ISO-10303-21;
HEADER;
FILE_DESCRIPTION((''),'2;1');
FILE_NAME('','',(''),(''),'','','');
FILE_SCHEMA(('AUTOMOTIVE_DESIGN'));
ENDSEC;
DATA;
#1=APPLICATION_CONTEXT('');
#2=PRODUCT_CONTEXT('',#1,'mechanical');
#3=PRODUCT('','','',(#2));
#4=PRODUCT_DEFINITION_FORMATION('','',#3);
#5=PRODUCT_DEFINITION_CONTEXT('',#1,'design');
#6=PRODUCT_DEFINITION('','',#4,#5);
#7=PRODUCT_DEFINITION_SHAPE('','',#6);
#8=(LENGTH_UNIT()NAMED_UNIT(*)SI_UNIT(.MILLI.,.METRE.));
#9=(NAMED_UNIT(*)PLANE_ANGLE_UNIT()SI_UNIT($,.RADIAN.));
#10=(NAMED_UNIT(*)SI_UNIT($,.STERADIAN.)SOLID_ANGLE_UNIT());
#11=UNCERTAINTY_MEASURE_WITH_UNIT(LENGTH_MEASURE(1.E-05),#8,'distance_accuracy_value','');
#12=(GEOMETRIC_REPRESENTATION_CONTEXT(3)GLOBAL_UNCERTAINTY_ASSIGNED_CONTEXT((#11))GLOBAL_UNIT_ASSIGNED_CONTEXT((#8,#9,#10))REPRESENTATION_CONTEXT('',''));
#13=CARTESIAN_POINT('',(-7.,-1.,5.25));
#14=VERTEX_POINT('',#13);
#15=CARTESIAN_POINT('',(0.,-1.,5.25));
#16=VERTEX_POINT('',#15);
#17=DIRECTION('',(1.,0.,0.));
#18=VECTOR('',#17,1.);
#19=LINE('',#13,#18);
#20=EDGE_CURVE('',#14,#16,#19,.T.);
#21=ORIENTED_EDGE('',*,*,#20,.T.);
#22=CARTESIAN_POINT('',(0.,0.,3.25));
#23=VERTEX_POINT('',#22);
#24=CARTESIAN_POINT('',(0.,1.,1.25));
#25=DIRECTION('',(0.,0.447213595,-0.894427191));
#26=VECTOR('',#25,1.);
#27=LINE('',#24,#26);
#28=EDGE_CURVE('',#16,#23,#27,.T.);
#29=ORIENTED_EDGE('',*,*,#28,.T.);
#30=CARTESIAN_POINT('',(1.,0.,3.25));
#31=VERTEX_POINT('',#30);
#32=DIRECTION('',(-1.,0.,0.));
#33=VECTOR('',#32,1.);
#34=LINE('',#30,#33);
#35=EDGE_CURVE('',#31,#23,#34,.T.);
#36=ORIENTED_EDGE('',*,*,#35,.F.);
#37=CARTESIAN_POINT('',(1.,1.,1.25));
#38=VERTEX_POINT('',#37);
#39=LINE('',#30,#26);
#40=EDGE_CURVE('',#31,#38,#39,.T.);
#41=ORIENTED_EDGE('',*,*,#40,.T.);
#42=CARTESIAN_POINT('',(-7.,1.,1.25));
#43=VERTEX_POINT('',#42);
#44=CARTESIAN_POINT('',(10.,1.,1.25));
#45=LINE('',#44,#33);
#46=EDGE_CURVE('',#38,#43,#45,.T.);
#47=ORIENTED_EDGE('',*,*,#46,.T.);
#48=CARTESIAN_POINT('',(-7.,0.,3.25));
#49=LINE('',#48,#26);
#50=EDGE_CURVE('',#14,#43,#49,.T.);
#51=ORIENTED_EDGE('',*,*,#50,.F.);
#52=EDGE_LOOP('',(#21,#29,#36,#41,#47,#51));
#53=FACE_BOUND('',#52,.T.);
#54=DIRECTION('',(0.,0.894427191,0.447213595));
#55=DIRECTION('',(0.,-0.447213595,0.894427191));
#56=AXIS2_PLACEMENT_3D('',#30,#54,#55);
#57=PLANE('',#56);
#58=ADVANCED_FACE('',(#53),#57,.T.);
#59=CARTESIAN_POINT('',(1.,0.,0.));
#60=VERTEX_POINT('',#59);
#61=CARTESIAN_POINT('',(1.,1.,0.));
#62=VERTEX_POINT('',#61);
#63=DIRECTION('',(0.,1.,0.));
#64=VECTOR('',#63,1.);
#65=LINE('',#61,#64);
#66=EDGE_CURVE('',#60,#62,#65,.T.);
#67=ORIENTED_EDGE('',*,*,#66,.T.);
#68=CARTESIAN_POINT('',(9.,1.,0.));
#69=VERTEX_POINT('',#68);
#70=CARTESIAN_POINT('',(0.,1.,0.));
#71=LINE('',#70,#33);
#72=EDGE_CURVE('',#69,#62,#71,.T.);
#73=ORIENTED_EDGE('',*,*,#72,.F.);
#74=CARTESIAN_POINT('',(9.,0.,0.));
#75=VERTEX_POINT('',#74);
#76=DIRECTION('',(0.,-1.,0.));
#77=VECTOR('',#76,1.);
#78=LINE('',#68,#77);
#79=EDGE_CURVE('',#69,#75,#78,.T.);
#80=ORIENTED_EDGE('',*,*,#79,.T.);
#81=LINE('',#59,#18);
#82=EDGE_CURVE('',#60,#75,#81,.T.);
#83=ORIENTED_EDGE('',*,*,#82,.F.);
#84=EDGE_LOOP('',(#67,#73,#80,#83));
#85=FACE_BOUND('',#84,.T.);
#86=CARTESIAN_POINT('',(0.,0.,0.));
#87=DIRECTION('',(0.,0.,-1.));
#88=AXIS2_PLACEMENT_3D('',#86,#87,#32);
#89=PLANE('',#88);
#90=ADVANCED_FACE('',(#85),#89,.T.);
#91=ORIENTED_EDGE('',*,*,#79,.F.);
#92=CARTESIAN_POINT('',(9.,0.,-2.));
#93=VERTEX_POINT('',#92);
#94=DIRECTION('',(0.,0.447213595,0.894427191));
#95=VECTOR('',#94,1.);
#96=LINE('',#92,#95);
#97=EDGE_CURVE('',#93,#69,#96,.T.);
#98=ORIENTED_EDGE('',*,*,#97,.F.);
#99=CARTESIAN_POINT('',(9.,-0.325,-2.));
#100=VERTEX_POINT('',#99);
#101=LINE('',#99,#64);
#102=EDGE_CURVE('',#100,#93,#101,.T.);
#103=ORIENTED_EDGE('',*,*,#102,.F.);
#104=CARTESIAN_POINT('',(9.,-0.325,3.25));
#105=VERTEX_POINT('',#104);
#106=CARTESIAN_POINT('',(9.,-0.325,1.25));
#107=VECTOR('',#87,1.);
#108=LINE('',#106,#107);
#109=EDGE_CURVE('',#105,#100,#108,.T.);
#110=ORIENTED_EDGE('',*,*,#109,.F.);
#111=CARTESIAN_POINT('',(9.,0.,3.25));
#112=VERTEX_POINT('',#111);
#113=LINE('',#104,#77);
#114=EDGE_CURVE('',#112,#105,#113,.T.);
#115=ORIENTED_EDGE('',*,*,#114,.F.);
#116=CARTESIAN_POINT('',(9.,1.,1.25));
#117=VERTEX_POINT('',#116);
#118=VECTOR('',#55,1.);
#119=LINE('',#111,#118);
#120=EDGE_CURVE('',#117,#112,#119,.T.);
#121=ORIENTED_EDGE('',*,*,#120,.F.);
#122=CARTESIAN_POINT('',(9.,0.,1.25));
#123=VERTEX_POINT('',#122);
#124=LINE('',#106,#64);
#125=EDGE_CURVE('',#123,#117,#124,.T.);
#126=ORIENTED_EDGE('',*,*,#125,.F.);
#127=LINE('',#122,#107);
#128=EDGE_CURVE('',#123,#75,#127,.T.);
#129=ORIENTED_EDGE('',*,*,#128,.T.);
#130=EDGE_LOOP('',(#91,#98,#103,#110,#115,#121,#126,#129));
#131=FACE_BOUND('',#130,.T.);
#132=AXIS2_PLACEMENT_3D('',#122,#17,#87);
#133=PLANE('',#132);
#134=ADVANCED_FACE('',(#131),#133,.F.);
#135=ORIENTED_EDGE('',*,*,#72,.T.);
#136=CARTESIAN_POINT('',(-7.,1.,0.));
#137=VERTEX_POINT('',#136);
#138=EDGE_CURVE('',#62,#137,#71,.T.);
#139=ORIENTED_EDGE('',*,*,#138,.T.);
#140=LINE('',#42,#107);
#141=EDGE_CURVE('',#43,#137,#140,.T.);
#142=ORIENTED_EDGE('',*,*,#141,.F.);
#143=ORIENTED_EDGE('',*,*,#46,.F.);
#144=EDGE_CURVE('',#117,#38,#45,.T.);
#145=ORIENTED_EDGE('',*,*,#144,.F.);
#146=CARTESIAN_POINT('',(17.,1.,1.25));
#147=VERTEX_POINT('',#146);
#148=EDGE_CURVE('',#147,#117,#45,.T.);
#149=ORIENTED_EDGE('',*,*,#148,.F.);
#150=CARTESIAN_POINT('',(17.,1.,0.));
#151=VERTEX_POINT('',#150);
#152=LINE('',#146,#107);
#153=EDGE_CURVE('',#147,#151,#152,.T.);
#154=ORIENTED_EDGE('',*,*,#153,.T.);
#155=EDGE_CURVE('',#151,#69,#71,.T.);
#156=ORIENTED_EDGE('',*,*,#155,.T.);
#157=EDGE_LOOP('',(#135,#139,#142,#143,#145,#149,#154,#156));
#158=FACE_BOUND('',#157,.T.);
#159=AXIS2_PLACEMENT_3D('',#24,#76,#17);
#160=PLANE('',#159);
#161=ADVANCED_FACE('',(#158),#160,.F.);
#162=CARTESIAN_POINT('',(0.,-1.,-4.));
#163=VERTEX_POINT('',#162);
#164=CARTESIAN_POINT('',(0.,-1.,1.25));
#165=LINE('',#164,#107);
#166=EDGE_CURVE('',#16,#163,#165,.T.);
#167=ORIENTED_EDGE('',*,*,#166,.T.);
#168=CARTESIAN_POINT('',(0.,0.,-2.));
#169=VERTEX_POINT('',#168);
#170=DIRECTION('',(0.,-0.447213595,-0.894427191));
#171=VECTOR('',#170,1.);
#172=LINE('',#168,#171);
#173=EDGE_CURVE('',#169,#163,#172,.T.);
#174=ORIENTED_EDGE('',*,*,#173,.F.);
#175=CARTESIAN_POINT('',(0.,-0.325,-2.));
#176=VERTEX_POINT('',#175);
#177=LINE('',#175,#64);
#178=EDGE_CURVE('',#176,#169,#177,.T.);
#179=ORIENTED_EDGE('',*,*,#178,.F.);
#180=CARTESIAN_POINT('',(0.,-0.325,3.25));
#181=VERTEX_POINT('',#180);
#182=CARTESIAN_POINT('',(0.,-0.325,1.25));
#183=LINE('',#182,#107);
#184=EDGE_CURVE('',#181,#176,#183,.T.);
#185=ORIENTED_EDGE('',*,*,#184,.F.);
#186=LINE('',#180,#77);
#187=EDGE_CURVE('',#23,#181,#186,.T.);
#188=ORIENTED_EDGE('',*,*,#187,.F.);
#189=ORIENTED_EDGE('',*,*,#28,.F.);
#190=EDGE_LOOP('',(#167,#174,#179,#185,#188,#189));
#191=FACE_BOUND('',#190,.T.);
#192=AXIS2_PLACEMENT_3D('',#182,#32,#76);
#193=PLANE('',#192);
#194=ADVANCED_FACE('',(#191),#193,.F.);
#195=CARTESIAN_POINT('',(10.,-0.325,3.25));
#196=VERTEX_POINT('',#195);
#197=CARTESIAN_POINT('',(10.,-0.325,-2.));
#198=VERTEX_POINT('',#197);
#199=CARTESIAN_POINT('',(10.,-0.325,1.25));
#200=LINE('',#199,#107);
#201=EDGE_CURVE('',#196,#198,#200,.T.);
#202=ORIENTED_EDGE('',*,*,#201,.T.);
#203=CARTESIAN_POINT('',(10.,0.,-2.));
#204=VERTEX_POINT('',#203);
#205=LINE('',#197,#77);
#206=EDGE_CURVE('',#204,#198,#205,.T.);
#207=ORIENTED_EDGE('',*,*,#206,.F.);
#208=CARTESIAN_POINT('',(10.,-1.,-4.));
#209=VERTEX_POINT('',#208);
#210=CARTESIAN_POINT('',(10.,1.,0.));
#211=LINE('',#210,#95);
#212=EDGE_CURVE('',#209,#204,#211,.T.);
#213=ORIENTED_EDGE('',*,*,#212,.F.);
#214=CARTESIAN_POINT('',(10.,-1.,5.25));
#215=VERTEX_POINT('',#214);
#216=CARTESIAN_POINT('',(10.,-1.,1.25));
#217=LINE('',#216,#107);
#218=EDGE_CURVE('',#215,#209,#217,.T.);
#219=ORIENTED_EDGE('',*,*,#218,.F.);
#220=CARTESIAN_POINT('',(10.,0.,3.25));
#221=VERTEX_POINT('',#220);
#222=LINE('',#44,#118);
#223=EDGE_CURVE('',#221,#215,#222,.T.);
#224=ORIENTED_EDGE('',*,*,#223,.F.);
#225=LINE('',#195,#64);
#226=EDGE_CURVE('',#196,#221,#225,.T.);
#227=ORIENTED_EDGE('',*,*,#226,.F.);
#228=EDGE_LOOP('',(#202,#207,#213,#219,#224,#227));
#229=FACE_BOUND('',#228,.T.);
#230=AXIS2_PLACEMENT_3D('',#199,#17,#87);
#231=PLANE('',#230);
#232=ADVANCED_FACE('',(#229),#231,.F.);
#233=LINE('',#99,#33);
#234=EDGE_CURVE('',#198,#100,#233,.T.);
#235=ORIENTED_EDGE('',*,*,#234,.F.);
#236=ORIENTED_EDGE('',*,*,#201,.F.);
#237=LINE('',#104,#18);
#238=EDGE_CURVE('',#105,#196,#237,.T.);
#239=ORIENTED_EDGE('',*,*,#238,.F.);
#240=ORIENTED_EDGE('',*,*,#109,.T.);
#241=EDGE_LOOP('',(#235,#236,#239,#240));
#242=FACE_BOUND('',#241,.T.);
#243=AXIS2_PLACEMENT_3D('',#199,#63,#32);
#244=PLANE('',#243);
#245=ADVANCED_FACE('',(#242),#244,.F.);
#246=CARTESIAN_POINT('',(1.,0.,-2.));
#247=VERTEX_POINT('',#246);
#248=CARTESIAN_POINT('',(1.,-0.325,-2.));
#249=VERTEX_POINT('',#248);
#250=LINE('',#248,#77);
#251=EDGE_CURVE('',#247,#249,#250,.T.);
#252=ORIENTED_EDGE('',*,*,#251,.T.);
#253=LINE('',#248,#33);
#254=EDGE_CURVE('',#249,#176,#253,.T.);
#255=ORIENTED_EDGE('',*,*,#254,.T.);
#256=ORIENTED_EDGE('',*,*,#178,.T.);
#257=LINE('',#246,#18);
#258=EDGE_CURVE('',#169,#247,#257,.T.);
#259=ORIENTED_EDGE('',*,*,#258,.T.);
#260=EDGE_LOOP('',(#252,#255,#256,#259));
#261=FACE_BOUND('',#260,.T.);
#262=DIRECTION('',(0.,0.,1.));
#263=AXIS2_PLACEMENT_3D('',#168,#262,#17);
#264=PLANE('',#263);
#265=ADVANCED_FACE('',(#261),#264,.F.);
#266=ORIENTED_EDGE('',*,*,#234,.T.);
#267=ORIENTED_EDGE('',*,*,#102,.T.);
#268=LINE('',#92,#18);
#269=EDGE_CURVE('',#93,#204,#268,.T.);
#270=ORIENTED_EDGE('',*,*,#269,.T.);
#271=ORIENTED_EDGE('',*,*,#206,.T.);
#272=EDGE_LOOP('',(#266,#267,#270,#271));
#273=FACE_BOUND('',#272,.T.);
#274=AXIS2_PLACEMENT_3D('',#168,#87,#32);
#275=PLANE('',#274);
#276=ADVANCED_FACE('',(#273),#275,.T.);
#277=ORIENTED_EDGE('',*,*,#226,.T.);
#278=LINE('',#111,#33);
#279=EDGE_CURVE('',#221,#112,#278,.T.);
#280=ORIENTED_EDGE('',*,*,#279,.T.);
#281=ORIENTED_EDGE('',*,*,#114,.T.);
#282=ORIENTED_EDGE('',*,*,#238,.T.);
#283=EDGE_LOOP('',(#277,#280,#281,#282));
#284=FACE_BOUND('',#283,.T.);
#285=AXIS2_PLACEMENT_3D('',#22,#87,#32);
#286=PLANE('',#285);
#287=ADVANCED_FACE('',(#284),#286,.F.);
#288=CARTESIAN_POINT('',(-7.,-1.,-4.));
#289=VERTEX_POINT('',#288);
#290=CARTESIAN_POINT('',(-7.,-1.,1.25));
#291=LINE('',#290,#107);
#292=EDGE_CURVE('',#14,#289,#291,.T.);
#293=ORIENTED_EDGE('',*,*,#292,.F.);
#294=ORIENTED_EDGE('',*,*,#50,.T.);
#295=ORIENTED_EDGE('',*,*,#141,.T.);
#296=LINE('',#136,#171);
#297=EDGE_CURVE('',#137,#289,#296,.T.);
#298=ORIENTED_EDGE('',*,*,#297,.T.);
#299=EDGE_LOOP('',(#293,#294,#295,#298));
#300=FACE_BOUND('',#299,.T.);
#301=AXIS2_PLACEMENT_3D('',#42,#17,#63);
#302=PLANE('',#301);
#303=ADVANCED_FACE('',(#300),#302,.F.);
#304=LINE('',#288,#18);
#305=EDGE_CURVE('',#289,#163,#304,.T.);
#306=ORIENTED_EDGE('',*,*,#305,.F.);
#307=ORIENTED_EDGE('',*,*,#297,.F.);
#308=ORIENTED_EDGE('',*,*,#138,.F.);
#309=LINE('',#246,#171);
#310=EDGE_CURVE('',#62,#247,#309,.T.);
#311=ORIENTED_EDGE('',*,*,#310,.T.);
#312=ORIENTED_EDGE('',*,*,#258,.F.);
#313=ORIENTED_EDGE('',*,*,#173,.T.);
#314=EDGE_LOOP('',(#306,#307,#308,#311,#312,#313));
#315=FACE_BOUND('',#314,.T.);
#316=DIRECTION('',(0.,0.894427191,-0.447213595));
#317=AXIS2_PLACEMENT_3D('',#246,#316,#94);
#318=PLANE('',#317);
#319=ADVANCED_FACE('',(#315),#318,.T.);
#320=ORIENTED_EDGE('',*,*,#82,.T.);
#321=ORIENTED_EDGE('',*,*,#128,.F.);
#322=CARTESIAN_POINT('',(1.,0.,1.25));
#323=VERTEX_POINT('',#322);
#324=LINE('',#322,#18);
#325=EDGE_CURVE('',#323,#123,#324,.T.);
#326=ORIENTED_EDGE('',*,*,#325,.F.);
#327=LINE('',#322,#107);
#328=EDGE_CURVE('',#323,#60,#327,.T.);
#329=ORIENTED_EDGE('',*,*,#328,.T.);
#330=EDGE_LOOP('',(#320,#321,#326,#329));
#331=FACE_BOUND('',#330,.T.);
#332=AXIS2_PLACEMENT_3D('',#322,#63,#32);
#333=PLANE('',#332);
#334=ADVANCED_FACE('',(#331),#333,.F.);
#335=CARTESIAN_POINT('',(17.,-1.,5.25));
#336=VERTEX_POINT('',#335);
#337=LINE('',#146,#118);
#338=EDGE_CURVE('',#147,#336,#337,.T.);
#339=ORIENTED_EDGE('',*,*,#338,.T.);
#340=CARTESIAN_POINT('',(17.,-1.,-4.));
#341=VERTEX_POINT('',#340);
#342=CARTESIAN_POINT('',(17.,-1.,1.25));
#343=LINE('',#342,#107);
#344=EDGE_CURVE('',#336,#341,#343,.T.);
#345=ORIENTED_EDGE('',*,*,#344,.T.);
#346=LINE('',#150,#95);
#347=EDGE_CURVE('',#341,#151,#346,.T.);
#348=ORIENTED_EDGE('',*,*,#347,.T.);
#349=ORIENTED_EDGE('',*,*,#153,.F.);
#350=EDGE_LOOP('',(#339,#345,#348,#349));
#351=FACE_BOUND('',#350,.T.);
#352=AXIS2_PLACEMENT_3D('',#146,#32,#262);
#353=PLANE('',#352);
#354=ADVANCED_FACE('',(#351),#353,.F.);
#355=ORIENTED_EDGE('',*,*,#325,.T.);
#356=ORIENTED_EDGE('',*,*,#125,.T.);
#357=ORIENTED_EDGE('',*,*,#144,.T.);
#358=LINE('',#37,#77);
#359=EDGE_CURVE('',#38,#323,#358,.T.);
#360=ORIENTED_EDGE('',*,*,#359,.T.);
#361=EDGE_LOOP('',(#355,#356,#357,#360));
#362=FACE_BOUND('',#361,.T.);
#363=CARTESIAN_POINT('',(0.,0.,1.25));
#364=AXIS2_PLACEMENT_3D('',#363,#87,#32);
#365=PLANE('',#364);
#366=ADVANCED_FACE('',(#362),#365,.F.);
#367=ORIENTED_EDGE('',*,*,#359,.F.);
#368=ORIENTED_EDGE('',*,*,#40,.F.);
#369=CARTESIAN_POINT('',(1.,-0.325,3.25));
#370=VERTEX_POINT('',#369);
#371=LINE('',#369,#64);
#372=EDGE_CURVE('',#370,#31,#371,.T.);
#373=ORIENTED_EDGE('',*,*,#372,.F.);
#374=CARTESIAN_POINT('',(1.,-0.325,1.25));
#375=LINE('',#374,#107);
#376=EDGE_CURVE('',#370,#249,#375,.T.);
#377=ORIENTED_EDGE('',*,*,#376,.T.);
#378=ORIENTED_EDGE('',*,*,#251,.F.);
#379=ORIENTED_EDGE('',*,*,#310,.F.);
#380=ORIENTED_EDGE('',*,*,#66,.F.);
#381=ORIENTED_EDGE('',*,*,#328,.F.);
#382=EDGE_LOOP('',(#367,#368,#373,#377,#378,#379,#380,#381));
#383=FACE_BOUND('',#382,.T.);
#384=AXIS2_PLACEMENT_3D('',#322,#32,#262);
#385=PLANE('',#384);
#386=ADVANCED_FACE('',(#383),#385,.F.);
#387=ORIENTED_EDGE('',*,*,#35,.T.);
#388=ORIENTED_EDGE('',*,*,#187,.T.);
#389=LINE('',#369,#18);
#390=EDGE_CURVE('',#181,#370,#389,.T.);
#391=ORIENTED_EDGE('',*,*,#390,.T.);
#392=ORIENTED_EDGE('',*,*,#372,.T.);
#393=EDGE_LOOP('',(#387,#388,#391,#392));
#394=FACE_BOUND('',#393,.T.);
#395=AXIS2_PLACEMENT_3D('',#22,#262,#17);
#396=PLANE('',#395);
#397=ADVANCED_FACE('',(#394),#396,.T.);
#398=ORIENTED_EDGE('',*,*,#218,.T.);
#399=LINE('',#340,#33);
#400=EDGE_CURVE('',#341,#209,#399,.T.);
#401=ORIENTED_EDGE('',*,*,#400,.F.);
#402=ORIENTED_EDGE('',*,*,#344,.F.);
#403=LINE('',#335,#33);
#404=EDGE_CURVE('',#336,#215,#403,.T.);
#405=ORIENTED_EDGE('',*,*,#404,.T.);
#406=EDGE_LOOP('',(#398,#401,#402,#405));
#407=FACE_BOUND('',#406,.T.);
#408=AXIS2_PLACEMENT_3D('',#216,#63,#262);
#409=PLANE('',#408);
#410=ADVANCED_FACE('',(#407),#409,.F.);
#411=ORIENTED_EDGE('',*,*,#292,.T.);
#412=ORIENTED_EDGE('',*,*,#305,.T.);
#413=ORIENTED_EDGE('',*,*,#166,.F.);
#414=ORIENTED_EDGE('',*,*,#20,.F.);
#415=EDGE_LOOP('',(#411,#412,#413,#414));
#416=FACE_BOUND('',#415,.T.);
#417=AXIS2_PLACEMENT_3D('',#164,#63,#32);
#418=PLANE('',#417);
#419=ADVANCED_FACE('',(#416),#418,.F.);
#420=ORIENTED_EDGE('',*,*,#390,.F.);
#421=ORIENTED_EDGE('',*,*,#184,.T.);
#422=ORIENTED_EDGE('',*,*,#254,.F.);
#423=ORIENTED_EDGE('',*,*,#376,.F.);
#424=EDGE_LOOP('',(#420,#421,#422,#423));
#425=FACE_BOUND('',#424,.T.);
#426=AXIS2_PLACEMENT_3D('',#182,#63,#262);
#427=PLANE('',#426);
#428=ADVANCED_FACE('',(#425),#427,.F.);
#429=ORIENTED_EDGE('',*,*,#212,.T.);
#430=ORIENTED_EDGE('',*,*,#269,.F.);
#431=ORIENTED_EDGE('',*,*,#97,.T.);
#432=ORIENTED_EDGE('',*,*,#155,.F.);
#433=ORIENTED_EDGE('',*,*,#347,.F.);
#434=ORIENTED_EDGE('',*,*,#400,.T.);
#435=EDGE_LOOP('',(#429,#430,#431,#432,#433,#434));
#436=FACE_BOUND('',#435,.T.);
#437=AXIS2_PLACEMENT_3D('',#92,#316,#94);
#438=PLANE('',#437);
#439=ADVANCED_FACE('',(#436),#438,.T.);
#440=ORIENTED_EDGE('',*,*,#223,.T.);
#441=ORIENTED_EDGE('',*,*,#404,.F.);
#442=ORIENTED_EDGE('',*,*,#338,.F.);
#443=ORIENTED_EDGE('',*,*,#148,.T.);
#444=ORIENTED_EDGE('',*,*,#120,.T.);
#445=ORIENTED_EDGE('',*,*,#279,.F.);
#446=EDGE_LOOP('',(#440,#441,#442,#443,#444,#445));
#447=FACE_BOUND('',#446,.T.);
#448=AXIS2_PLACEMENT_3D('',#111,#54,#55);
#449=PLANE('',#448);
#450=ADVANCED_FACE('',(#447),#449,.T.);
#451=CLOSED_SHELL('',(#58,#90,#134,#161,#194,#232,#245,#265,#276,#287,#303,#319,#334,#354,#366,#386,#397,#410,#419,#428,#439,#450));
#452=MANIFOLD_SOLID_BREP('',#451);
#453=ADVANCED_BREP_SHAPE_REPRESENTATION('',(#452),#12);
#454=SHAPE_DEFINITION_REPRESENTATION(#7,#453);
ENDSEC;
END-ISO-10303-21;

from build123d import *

# Parameters (mm, degrees)
BOSS_EXTRUDE1_DEPTH  = 1.25
SKETCH2_W            = 1
SKETCH2_H            = 0.325
BOSS_EXTRUDE2_DEPTH  = 2
SKETCH3_W            = 1
SKETCH3_H            = 0.325
BOSS_EXTRUDE3_DEPTH  = 2
BOSS_EXTRUDE7_DEPTH  = 1
BOSS_EXTRUDE8_DEPTH  = 1
BOSS_EXTRUDE9_DEPTH  = 7
BOSS_EXTRUDE10_DEPTH = 7


with BuildPart() as part:
    # Sketch1 → Boss-Extrude1 (new body)
    with BuildSketch(Plane.XY):
        Polygon((1, 0), (9, 0), (9, -0.325), (10, -0.325), (10, -1), (17, -1), (17, 1), (10, 1), (0, 1), (-7, 1), (-7, -1), (0, -1), (0, -0.325), (1, -0.325), align=None)
    extrude(amount=BOSS_EXTRUDE1_DEPTH)

    # Sketch2 → Boss-Extrude2 (add)
    with BuildSketch(Plane.XY.offset(1.25)):
        with Locations((0.5, -0.1625)):
            Rectangle(SKETCH2_W, SKETCH2_H)
        with Locations((9.5, -0.1625)):
            Rectangle(SKETCH2_W, SKETCH2_H)
    extrude(amount=BOSS_EXTRUDE2_DEPTH)

    # Sketch3 → Boss-Extrude3 (add)
    with BuildSketch(Plane(origin=(0, 0, 0), x_dir=(-1, 0, 0), z_dir=(0, 0, -1))):
        with Locations((-9.5, -0.1625)):
            Rectangle(SKETCH3_W, SKETCH3_H)
        with Locations((-0.5, -0.1625)):
            Rectangle(SKETCH3_W, SKETCH3_H)
    extrude(amount=BOSS_EXTRUDE3_DEPTH)

    # Sketch7 → Boss-Extrude7 (add)
    with BuildSketch(Plane(origin=(10, 0, 0), x_dir=(0, 0, -1), z_dir=(1, 0, 0))):
        Polygon((-3.25, 0), (-1.25, 1), (-1.25, 0), (-1.25, -0.325), (-3.25, -0.325), align=None)
        Polygon((2, 0), (0, 1), (0, 0), align=None)
    extrude(amount=-BOSS_EXTRUDE7_DEPTH)

    # Sketch8 → Boss-Extrude8 (add)
    with BuildSketch(Plane.ZY):
        Polygon((-2, 0), (0, 1), (0, 0), align=None)
        Polygon((1.25, 1), (1.25, 0), (3.25, 0), align=None)
    extrude(amount=-BOSS_EXTRUDE8_DEPTH)

    # Sketch10 → Boss-Extrude9 (add)
    with BuildSketch(Plane.ZY):
        Polygon((1.25, 1), (3.25, 0), (5.25, -1), (1.25, -1), align=None)
        Polygon((0, 1), (-2, 0), (-4, -1), (0, -1), align=None)
    extrude(amount=BOSS_EXTRUDE9_DEPTH)

    # Sketch11 → Boss-Extrude10 (add)
    with BuildSketch(Plane(origin=(10, 0, 0), x_dir=(0, 0, -1), z_dir=(1, 0, 0))):
        Polygon((-1.25, 1), (-5.25, -1), (-1.25, -1), align=None)
        Polygon((0, 1), (4, -1), (0, -1), align=None)
    extrude(amount=BOSS_EXTRUDE10_DEPTH)


solid = part.part
